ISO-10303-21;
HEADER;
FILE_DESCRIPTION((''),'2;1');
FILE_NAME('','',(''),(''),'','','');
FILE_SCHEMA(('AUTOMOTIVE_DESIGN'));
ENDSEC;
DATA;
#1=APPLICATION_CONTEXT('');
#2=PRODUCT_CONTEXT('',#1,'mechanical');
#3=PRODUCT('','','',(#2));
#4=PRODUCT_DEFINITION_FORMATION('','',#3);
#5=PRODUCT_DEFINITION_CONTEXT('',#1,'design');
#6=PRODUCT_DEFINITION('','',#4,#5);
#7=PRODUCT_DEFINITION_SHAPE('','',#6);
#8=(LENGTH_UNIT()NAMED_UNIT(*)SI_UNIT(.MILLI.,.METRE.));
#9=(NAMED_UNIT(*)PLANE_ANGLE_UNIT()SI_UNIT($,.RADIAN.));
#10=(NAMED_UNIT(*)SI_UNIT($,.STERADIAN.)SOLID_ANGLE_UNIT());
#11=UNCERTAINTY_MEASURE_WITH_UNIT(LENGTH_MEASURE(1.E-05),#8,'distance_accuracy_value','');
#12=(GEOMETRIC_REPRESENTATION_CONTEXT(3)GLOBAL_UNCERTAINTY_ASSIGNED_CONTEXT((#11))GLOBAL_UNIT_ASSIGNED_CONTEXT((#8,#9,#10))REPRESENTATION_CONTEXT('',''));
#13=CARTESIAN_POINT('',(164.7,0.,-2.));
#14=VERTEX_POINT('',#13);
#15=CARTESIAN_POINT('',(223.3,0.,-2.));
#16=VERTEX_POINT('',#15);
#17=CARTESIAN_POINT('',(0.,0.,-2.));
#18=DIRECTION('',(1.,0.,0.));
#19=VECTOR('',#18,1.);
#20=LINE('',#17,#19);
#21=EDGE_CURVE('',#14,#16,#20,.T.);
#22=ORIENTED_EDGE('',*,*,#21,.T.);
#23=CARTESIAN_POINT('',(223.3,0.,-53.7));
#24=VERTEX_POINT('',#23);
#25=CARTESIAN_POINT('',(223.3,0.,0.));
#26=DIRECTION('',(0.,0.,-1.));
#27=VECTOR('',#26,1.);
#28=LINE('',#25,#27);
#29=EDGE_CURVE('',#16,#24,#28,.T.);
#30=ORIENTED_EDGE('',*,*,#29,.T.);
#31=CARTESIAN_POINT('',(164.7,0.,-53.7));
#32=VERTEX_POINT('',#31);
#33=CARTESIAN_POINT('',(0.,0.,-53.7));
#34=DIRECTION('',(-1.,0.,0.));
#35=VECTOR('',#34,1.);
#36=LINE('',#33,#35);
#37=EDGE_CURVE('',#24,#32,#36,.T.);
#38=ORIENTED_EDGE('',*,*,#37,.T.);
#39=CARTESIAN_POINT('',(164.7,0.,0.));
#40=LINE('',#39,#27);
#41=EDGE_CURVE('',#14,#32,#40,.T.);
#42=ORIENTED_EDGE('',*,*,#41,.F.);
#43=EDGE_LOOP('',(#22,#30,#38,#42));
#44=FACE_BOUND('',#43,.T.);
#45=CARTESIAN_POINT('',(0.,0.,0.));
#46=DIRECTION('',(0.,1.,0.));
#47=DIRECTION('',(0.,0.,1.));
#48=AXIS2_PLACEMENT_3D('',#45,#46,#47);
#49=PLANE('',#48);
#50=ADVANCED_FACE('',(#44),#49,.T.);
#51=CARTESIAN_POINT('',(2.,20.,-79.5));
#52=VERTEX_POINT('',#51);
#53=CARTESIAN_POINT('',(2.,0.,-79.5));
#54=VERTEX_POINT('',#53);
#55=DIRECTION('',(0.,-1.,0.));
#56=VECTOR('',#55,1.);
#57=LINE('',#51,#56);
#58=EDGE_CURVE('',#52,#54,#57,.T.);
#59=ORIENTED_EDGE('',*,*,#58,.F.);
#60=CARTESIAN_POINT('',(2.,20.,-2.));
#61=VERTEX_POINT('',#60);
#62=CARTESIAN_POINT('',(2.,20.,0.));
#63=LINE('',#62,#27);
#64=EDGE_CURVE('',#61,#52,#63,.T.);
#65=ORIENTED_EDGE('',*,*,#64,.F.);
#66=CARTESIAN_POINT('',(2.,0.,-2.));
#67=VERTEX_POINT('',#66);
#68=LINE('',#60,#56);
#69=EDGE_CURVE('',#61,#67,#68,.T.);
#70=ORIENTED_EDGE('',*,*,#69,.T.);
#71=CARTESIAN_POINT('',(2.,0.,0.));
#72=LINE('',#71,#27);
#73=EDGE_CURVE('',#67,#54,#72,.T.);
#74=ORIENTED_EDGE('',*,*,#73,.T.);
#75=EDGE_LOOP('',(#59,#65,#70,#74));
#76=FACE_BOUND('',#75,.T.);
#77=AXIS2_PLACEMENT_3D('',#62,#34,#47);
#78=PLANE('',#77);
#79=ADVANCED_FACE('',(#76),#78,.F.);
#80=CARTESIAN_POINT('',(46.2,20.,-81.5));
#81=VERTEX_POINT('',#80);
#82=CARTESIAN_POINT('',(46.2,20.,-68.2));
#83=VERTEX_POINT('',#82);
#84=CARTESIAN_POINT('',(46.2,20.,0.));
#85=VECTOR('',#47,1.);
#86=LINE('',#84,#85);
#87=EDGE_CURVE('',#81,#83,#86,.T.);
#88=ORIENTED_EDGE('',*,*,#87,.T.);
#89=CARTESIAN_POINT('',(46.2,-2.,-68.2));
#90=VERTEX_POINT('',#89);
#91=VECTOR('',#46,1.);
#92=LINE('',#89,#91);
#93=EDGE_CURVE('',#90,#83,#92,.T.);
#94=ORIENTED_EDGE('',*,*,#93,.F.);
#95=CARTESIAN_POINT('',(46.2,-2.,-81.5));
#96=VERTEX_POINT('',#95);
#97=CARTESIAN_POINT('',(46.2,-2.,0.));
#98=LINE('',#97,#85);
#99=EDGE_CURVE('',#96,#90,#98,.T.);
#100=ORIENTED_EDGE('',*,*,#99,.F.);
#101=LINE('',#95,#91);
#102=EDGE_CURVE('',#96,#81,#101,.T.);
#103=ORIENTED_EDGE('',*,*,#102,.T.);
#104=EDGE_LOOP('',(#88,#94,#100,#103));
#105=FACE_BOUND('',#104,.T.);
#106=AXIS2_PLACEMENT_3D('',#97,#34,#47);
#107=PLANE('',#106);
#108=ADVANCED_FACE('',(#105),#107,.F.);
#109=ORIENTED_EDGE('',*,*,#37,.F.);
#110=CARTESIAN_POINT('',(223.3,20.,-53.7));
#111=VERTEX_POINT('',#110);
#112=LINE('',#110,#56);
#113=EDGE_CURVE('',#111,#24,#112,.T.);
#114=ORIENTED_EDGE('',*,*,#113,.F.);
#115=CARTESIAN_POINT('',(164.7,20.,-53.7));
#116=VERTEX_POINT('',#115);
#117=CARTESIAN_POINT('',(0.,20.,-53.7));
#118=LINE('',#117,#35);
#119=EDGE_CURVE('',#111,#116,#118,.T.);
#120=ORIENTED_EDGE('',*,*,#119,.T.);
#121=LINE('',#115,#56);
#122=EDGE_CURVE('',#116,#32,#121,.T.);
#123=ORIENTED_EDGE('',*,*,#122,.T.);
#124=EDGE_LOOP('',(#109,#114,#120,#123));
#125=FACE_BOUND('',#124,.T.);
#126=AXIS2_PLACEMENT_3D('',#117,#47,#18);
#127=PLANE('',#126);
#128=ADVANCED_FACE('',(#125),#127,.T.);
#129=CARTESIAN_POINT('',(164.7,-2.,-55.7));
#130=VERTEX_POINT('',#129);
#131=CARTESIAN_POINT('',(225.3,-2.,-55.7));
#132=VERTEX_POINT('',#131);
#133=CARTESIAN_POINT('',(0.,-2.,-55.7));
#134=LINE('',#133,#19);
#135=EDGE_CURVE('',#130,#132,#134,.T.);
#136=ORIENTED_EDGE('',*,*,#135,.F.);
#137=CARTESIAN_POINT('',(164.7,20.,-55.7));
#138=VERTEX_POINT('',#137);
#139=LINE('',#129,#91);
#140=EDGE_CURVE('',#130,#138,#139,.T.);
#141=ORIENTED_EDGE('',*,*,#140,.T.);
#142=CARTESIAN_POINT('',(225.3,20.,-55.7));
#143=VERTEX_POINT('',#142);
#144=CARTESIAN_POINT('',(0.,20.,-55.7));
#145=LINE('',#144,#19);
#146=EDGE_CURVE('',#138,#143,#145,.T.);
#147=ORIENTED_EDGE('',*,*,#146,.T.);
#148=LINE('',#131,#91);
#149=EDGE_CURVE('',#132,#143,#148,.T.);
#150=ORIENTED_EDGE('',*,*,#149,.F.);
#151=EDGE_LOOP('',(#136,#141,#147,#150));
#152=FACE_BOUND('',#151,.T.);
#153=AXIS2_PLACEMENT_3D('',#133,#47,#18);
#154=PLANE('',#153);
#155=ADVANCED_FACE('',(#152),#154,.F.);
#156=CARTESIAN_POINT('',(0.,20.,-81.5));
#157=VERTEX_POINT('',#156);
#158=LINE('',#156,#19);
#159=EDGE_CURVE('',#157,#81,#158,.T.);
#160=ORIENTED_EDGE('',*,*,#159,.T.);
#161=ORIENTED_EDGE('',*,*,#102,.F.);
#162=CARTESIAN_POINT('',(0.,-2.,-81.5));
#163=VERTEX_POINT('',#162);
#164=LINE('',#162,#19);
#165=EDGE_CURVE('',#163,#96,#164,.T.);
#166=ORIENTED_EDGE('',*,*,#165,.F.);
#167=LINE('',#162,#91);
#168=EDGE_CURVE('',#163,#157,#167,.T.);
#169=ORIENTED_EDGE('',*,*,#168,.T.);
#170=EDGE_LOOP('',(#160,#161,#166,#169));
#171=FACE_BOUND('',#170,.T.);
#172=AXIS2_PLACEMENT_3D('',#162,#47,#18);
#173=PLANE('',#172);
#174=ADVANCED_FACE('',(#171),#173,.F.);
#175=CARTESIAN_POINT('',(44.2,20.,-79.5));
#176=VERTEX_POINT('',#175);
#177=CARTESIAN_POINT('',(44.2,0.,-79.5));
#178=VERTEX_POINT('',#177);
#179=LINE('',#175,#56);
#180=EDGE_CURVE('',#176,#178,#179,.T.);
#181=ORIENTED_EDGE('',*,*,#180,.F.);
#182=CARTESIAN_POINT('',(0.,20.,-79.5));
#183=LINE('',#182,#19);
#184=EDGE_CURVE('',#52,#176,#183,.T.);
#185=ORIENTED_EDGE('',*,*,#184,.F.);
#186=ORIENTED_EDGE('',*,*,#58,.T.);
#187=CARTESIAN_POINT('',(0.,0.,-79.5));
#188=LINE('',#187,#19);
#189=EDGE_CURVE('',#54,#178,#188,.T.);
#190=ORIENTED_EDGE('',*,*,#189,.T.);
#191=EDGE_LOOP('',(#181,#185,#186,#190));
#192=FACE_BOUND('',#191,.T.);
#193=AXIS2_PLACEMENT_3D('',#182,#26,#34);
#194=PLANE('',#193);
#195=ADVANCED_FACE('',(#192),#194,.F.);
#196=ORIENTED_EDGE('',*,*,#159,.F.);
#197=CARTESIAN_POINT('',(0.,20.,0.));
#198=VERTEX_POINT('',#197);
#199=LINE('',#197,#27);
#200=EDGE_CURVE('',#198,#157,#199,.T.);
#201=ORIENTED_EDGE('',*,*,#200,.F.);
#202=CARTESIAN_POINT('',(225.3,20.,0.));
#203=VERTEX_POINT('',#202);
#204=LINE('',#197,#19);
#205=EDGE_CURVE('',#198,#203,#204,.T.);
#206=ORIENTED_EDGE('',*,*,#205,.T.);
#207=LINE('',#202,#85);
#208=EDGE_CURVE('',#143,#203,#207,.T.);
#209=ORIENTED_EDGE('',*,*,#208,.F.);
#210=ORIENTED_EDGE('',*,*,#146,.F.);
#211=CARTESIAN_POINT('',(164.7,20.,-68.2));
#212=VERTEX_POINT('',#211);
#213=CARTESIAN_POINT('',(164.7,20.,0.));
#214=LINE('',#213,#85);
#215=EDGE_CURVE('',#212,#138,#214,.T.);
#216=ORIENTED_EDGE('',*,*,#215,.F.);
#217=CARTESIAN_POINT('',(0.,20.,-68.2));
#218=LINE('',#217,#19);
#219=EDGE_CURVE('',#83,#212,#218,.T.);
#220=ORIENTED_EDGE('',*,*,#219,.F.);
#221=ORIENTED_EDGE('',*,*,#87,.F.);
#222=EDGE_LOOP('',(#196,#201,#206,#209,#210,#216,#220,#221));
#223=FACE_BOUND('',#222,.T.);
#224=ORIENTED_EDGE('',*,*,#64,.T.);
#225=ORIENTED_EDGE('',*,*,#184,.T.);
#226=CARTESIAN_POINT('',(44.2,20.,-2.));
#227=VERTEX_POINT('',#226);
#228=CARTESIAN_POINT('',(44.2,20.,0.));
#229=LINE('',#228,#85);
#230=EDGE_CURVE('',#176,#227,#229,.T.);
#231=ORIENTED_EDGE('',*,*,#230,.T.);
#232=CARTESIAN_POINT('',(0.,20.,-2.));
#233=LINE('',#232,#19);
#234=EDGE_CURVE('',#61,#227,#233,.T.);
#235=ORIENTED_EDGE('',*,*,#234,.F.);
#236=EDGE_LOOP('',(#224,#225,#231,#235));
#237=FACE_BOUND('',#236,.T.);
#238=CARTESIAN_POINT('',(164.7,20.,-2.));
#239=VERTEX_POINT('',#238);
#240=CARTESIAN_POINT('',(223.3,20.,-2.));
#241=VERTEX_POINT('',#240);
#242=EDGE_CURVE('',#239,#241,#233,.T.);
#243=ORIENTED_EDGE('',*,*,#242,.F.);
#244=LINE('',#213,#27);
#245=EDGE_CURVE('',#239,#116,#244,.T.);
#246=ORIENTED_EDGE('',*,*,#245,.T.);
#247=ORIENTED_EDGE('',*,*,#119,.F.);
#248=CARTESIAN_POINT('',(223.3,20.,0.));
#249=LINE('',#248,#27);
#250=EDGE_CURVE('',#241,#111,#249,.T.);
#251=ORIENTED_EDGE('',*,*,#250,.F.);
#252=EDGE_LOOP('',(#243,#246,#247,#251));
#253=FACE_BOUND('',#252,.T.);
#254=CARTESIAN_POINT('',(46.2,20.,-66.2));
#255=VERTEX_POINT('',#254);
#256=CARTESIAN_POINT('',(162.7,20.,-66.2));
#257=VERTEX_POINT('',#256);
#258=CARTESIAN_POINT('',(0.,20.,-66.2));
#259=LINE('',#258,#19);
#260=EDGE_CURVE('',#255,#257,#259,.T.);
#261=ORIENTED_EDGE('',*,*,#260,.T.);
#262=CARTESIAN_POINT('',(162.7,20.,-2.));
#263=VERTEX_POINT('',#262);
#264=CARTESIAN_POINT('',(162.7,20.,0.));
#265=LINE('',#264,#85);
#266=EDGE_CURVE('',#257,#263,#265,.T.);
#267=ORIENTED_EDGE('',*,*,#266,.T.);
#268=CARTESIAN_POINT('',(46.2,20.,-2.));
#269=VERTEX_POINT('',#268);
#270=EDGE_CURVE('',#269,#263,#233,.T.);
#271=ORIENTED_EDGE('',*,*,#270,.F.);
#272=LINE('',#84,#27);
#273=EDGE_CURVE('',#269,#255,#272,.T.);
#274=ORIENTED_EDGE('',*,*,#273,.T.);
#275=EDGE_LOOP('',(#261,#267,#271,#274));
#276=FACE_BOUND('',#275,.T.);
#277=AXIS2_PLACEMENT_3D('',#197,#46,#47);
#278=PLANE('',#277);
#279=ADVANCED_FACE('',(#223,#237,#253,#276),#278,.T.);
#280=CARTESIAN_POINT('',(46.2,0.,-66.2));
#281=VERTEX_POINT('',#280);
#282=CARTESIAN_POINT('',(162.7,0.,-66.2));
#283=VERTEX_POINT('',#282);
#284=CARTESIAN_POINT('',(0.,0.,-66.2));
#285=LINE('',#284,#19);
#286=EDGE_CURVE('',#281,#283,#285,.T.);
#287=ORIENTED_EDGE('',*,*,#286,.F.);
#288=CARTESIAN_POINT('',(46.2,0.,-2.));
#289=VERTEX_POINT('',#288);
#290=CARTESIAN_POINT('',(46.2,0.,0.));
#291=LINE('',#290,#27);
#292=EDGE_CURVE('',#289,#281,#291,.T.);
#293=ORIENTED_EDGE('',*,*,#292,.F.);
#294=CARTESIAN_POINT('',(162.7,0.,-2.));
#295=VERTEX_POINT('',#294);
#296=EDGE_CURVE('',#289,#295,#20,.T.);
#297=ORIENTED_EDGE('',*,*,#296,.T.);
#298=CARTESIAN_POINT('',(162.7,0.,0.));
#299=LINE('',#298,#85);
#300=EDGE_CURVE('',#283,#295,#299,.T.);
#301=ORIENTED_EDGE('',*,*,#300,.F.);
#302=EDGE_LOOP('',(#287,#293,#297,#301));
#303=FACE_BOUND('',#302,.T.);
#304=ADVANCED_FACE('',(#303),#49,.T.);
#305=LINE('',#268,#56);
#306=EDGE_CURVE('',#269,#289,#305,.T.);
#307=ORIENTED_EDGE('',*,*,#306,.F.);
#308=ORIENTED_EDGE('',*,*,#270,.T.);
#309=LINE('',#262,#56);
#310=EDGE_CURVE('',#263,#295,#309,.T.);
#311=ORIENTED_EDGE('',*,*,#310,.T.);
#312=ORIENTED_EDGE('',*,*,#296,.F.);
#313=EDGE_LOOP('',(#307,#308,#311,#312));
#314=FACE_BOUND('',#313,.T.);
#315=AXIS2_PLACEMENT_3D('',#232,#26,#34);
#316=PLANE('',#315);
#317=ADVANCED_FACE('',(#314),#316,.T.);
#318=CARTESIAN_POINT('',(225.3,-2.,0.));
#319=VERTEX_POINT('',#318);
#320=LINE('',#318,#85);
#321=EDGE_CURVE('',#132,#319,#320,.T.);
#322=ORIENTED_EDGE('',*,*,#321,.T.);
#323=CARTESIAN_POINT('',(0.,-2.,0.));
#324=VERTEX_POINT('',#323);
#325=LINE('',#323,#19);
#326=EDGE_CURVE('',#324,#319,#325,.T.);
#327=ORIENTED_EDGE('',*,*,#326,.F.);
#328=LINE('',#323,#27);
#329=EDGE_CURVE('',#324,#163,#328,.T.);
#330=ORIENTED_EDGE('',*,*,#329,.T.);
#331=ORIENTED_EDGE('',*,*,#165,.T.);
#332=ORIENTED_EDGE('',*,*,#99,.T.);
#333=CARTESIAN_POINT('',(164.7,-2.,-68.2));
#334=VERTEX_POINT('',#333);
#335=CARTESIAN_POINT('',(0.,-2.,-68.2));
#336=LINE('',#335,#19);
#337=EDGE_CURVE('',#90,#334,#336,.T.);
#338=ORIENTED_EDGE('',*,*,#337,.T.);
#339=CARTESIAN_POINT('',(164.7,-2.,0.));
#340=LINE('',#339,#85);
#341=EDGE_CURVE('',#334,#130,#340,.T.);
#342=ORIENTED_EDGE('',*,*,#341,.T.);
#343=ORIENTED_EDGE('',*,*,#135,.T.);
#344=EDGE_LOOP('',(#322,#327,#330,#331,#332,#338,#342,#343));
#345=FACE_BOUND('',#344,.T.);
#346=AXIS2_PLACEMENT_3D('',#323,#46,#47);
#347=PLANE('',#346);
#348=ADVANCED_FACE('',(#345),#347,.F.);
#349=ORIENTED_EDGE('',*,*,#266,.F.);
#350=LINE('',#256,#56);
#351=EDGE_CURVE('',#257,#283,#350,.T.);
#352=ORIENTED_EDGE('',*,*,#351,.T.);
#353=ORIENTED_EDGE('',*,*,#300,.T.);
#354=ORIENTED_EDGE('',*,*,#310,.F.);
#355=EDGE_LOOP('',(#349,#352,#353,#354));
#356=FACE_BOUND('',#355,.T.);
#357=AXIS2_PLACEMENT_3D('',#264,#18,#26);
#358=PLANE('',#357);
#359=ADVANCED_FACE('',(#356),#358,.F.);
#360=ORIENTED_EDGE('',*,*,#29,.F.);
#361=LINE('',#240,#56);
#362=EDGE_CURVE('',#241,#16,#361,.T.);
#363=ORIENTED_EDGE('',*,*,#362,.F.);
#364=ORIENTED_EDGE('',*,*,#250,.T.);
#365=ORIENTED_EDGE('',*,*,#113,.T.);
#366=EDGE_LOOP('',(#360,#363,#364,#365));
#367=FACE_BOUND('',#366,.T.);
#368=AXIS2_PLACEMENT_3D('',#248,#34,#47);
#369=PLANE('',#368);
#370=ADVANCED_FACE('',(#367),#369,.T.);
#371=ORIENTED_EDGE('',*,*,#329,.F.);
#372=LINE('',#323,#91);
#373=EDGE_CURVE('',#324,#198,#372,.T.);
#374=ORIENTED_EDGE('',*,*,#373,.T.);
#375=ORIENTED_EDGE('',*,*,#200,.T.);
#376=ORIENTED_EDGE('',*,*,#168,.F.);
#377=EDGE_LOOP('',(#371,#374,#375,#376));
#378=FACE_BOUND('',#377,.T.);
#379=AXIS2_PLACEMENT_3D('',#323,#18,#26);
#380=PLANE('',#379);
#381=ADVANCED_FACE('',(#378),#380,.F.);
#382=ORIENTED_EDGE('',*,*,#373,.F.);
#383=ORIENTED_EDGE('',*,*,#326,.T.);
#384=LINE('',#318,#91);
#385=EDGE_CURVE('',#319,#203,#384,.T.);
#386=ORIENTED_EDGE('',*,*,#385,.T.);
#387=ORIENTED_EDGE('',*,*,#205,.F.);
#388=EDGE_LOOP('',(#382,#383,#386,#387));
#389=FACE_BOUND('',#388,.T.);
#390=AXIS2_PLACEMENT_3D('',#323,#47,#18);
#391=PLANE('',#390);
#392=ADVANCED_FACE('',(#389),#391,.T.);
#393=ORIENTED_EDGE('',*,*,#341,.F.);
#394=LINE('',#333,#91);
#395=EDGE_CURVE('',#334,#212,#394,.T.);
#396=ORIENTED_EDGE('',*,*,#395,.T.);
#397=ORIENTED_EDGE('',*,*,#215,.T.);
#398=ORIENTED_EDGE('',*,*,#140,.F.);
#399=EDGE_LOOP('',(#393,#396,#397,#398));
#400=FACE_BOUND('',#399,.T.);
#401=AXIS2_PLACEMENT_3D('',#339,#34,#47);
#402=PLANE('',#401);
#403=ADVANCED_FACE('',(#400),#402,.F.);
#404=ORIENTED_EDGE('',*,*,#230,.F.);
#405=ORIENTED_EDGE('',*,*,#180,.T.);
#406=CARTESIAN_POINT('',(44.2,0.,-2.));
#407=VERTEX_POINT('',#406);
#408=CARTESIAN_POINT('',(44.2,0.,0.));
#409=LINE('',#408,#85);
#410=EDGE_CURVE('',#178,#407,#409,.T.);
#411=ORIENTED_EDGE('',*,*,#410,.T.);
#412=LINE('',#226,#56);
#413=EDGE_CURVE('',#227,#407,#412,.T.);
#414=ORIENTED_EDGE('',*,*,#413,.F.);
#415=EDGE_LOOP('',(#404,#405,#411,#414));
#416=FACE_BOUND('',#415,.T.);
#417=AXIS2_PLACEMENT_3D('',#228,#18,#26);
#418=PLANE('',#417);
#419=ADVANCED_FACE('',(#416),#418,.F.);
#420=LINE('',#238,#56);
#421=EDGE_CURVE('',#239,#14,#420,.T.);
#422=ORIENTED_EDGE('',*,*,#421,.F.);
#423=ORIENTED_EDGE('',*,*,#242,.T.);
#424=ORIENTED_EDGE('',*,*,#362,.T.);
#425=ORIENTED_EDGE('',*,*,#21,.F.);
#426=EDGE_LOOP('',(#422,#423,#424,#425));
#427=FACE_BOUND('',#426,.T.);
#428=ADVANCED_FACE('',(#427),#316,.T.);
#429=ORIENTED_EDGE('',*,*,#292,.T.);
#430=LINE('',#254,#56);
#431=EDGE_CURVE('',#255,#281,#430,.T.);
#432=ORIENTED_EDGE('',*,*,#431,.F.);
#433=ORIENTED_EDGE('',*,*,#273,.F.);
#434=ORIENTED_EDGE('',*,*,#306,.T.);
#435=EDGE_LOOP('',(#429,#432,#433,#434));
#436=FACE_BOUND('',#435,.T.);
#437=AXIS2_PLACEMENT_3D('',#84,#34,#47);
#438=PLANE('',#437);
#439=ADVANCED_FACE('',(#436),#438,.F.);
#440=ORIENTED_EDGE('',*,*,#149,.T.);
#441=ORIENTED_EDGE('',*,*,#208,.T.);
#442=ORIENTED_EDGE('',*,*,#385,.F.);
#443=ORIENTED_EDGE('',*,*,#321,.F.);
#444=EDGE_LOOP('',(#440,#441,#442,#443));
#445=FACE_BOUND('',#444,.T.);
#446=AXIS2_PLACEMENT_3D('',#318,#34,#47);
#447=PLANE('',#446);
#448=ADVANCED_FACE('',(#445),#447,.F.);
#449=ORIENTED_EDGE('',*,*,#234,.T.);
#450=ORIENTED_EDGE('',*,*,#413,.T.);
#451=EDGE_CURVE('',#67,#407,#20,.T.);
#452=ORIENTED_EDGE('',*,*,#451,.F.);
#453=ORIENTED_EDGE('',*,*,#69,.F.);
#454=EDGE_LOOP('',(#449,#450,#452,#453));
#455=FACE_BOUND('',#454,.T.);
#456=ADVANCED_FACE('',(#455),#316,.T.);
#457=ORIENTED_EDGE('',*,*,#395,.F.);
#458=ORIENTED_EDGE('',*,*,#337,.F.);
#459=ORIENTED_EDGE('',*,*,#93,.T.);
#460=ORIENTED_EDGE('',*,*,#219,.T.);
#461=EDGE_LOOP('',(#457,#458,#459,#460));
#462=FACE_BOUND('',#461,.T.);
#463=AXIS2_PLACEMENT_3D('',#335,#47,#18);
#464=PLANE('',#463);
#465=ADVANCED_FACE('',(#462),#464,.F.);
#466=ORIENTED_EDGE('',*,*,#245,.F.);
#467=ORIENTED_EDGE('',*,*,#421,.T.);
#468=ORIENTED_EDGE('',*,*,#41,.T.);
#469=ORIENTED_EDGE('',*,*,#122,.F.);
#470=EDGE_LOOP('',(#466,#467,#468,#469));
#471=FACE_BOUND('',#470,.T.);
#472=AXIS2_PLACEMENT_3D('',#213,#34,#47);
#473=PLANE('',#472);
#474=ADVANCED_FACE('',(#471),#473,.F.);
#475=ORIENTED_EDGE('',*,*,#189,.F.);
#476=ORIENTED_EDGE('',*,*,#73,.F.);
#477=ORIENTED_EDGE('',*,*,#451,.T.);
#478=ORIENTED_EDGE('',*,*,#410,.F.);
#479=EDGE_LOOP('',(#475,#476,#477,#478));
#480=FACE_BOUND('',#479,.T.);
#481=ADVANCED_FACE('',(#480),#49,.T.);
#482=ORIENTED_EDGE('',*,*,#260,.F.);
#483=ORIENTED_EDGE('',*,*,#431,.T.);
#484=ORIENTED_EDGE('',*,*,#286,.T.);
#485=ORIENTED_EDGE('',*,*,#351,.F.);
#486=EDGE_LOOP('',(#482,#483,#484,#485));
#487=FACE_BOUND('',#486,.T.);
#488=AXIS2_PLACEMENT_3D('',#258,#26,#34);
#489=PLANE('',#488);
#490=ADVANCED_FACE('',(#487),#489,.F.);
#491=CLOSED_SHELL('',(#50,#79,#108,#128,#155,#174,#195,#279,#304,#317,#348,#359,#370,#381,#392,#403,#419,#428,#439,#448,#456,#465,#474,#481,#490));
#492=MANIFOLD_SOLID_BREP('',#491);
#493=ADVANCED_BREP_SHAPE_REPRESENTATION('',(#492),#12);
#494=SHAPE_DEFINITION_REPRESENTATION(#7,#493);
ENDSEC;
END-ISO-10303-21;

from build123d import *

# Parameters (mm, degrees)
BOSS_EXTRUDE1_DEPTH = 2
SKETCH1_4_W         = 58.6
SKETCH1_4_H         = 51.7
BOSS_EXTRUDE2_DEPTH = 20


with BuildPart() as part:
    # Sketch1 → Boss-Extrude1 (new body)
    with BuildSketch(Plane(origin=(0, 0, 0), x_dir=(1, 0, 0), z_dir=(0, 1, 0))):
        Polygon((0, 0), (223.3, 0), (225.3, 0), (225.3, 55.7), (164.7, 55.7), (164.7, 68.2), (46.2, 68.2), (46.2, 81.5), (0, 81.5), align=None)
    extrude(amount=-BOSS_EXTRUDE1_DEPTH)

    # Sketch1<4> → Boss-Extrude2 (add)
    with BuildSketch(Plane(origin=(0, 0, 0), x_dir=(1, 0, 0), z_dir=(0, 1, 0))):
        Polygon((0, 2), (0, 0), (2, 0), (44.2, 0), (46.2, 0), (162.7, 0), (164.7, 0), (223.3, 0), (225.3, 0), (225.3, 2), (225.3, 55.7), (164.7, 55.7), (164.7, 68.2), (46.2, 68.2), (46.2, 81.5), (2, 81.5), (0, 81.5), (0, 79.5), align=None)
        Polygon((162.7, 2), (46.2, 2), (46.2, 66.2), (162.7, 66.2), (162.7, 55.7), (162.7, 53.7), align=None, mode=Mode.SUBTRACT)
        with Locations((194, 27.85)):
            Rectangle(SKETCH1_4_W, SKETCH1_4_H, mode=Mode.SUBTRACT)
        Polygon((2, 2), (2, 79.5), (44.2, 79.5), (44.2, 68.2), (44.2, 66.2), (44.2, 2), align=None, mode=Mode.SUBTRACT)
    extrude(amount=BOSS_EXTRUDE2_DEPTH)


solid = part.part
